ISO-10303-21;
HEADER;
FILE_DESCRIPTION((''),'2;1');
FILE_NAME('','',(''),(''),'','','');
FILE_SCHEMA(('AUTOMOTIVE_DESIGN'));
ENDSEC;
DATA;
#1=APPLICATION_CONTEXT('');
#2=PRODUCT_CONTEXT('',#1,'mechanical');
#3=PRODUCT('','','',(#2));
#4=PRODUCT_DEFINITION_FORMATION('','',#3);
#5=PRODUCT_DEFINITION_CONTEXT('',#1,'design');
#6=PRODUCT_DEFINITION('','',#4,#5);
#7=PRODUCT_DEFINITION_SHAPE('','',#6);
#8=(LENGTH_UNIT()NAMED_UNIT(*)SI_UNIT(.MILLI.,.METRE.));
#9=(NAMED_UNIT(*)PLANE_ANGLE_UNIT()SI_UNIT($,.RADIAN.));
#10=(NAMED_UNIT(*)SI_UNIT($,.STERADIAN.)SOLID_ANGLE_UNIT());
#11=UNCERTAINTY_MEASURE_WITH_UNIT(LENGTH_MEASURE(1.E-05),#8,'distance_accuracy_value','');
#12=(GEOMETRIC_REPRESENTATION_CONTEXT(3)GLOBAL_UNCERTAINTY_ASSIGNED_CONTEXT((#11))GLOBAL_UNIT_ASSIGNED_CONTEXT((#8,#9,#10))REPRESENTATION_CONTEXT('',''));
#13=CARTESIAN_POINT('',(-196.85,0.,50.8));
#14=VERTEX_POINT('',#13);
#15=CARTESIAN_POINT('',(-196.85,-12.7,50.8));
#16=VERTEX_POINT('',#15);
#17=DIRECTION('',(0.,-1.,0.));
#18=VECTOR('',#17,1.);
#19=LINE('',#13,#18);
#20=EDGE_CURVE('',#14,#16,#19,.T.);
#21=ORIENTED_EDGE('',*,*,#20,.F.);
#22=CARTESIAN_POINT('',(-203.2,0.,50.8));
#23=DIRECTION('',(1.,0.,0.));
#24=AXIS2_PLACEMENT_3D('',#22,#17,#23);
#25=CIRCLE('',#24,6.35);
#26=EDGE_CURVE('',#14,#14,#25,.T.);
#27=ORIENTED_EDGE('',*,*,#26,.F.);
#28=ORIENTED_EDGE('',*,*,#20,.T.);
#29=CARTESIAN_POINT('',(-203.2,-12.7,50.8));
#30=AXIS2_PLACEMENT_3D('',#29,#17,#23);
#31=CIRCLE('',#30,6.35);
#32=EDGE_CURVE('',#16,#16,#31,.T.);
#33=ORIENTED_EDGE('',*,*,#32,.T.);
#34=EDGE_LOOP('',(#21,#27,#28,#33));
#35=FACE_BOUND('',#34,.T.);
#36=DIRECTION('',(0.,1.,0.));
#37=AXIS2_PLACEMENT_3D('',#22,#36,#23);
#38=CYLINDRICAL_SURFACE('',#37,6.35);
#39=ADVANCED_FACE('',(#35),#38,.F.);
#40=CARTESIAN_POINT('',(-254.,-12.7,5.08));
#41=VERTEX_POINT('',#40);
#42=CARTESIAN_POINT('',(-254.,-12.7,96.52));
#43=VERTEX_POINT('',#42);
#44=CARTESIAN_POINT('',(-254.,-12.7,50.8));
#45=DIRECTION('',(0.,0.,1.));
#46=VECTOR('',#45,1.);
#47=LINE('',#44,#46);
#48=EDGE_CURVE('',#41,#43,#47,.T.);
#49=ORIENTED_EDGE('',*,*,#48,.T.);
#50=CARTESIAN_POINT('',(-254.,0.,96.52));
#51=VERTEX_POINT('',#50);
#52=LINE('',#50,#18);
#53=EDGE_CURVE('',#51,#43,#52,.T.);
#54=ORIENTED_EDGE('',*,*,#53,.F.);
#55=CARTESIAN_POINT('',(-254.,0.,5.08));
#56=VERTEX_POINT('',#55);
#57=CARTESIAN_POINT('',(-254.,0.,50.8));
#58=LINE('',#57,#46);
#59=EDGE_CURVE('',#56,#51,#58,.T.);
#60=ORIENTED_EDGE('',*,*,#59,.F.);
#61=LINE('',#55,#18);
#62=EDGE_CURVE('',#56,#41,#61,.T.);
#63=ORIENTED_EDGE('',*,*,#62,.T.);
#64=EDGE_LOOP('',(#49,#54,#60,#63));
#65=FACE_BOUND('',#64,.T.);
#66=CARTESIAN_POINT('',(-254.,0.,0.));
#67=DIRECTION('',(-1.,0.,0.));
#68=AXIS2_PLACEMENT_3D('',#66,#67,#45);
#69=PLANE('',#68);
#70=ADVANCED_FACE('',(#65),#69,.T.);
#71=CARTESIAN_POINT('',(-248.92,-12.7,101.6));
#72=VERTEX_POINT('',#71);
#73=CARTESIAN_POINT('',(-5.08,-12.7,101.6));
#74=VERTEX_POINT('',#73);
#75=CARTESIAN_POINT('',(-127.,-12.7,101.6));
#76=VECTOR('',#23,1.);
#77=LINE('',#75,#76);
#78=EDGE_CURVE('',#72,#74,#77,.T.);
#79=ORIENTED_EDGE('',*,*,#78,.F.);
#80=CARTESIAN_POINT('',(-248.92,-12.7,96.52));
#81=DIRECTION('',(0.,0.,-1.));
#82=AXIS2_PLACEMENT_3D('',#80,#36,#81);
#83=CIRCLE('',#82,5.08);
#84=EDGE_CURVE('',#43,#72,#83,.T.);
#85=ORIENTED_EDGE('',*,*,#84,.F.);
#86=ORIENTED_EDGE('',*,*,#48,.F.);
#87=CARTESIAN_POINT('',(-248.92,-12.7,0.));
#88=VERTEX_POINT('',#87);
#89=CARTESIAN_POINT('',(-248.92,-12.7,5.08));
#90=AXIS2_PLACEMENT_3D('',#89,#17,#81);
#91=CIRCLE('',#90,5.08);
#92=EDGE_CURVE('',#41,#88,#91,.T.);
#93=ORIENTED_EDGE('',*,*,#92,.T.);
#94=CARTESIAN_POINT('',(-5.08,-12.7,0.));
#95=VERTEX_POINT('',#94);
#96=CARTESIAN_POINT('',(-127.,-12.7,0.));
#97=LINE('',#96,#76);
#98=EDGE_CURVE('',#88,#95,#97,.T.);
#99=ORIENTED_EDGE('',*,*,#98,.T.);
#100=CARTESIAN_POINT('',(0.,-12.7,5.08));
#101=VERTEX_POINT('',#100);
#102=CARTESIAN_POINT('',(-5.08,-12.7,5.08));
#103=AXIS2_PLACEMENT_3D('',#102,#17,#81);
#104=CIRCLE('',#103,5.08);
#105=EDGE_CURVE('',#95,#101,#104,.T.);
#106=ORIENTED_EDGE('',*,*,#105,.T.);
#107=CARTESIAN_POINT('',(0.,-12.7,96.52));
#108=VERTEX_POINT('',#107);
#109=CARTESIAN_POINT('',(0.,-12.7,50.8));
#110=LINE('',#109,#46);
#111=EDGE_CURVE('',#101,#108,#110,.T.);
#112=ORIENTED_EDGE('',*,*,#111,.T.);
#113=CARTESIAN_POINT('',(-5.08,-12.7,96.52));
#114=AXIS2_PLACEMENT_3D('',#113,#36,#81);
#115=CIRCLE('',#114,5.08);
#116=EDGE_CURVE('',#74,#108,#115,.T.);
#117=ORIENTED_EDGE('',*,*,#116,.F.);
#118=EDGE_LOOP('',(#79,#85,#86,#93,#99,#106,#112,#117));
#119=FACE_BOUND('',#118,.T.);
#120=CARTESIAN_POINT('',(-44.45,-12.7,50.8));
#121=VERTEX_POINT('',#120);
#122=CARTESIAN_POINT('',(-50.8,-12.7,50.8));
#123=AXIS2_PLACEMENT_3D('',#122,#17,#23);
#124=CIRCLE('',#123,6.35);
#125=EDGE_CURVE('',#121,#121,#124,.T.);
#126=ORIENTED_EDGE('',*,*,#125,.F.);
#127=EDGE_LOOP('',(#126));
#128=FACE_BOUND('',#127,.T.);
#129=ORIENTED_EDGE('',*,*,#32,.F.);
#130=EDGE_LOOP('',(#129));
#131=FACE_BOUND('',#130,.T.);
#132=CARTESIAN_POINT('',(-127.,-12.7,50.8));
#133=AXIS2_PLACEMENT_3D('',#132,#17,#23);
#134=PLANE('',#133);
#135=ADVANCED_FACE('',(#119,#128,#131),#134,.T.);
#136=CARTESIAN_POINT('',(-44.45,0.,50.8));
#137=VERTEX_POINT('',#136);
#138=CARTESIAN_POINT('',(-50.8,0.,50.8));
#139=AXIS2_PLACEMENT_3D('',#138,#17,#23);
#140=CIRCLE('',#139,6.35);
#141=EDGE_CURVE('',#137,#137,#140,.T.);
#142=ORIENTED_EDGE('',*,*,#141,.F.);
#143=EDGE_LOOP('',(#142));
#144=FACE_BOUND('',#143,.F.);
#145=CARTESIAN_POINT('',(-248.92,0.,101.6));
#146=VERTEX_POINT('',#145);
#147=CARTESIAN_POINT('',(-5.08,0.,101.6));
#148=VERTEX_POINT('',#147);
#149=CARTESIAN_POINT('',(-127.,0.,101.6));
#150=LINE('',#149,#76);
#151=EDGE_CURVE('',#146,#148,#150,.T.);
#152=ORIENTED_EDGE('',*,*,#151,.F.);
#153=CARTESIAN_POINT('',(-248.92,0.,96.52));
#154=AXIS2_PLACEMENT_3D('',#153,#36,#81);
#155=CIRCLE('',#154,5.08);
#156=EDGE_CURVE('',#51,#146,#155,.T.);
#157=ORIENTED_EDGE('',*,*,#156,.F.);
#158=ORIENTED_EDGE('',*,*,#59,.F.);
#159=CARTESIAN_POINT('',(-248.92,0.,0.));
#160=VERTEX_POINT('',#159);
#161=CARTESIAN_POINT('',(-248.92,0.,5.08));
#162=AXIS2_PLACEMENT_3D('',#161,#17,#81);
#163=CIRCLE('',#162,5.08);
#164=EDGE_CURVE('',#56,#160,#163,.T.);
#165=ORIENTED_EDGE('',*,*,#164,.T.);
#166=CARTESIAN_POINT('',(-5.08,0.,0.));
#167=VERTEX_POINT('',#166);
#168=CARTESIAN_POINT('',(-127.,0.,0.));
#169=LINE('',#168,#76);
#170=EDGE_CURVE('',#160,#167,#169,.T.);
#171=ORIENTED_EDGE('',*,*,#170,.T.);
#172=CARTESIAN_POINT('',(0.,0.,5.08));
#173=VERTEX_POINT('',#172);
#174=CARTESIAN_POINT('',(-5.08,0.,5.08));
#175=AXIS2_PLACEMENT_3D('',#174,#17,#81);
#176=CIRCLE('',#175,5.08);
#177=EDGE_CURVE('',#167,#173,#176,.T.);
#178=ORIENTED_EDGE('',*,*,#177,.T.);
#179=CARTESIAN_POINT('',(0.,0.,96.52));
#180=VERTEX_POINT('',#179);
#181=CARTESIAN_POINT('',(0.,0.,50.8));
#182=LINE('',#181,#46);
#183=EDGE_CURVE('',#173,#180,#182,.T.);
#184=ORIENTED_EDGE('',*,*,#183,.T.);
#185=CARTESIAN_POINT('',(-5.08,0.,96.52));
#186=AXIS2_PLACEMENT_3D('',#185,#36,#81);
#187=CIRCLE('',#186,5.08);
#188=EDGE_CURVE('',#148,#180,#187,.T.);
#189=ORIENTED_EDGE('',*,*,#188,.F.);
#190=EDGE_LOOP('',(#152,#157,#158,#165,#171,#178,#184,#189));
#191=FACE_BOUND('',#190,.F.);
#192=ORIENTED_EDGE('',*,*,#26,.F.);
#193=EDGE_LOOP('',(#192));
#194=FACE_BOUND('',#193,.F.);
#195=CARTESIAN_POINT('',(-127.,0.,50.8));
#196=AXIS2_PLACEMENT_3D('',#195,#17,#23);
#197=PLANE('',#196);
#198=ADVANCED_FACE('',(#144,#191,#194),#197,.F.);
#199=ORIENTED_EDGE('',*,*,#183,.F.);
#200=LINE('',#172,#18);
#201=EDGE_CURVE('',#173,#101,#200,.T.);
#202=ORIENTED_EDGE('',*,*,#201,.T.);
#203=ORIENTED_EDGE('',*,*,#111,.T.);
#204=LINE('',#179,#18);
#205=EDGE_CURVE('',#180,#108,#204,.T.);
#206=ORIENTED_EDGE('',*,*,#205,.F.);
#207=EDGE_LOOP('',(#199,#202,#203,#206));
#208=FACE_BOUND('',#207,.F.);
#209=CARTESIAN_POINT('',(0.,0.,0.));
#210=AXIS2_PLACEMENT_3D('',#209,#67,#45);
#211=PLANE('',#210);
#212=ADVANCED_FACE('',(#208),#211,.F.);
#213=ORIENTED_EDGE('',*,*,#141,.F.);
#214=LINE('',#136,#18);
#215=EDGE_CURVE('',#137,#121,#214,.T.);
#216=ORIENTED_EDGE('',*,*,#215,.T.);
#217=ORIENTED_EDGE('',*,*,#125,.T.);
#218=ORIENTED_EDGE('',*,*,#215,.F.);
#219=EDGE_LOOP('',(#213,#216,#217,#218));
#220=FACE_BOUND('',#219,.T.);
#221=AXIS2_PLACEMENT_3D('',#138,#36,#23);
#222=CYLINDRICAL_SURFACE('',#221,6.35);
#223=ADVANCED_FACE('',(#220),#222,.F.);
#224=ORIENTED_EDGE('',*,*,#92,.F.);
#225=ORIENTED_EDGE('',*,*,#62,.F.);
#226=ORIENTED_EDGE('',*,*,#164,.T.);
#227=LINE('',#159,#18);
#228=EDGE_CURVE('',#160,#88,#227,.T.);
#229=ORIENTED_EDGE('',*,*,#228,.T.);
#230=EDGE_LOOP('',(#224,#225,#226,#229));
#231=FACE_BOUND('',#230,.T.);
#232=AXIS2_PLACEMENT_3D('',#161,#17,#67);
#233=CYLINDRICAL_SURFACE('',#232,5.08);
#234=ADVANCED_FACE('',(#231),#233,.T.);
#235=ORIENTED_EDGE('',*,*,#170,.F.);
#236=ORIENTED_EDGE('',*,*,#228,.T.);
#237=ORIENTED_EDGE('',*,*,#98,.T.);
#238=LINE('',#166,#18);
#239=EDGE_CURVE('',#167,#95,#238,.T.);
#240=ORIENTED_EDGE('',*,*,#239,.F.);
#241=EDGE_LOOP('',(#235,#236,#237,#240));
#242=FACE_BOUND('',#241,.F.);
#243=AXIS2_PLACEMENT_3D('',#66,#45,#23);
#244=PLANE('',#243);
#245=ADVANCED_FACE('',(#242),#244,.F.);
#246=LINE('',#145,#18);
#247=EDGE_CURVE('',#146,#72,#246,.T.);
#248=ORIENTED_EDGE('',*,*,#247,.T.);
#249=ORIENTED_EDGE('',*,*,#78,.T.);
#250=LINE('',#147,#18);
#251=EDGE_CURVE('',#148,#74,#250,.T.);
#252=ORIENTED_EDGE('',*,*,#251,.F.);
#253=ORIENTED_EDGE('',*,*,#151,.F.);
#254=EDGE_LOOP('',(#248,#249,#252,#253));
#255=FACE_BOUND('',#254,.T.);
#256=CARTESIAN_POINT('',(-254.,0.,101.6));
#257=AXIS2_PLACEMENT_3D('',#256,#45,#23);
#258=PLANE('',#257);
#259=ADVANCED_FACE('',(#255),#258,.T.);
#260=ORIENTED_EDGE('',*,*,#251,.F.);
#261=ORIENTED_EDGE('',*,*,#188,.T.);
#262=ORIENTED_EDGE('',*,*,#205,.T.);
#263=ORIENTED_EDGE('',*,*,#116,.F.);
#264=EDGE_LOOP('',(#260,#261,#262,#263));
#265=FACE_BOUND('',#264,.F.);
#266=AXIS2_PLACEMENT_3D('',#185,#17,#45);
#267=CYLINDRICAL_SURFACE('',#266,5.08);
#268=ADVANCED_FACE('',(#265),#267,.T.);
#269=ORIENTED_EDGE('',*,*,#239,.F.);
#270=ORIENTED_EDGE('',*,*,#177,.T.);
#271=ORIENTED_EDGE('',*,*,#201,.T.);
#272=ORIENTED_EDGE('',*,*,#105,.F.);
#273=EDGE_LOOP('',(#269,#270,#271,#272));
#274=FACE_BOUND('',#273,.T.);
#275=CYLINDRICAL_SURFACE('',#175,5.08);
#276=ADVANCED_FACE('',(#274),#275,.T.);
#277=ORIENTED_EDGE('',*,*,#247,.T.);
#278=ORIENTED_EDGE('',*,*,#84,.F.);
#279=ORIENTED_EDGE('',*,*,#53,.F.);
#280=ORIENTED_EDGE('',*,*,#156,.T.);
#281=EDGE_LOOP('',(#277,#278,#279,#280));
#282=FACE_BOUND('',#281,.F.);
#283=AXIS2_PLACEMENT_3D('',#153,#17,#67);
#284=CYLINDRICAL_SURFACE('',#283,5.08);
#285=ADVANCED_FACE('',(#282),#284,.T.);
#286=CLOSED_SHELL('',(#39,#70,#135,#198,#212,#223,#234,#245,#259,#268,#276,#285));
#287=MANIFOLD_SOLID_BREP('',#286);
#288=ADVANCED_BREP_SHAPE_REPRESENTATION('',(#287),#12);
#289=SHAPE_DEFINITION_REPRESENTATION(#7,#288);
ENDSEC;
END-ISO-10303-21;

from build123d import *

# Parameters (mm, degrees)
F0_W     = 254
F0_H     = 101.6
F0_R     = 6.35
F1_DEPTH = 12.7
F2_R     = 5.08


with BuildPart() as f1:
    # F0 (on Front) → F1 (new body)
    with BuildSketch(Plane.XZ):
        with Locations((-127, 50.8)):
            Rectangle(F0_W, F0_H)
        with Locations((-203.2, 50.8)):
            Circle(F0_R, mode=Mode.SUBTRACT)
        with Locations((-50.8, 50.8)):
            Circle(F0_R, mode=Mode.SUBTRACT)
    extrude(amount=F1_DEPTH)

    # F2
    f2_edges = [f1.edges().sort_by_distance(p)[0] for p in [
        (-254, -6.35, 101.6),
        (0, -6.35, 101.6),
        (0, -6.35, 0),
        (-254, -6.35, 0),
    ]]
    fillet(f2_edges, radius=F2_R)


solid = f1.part
